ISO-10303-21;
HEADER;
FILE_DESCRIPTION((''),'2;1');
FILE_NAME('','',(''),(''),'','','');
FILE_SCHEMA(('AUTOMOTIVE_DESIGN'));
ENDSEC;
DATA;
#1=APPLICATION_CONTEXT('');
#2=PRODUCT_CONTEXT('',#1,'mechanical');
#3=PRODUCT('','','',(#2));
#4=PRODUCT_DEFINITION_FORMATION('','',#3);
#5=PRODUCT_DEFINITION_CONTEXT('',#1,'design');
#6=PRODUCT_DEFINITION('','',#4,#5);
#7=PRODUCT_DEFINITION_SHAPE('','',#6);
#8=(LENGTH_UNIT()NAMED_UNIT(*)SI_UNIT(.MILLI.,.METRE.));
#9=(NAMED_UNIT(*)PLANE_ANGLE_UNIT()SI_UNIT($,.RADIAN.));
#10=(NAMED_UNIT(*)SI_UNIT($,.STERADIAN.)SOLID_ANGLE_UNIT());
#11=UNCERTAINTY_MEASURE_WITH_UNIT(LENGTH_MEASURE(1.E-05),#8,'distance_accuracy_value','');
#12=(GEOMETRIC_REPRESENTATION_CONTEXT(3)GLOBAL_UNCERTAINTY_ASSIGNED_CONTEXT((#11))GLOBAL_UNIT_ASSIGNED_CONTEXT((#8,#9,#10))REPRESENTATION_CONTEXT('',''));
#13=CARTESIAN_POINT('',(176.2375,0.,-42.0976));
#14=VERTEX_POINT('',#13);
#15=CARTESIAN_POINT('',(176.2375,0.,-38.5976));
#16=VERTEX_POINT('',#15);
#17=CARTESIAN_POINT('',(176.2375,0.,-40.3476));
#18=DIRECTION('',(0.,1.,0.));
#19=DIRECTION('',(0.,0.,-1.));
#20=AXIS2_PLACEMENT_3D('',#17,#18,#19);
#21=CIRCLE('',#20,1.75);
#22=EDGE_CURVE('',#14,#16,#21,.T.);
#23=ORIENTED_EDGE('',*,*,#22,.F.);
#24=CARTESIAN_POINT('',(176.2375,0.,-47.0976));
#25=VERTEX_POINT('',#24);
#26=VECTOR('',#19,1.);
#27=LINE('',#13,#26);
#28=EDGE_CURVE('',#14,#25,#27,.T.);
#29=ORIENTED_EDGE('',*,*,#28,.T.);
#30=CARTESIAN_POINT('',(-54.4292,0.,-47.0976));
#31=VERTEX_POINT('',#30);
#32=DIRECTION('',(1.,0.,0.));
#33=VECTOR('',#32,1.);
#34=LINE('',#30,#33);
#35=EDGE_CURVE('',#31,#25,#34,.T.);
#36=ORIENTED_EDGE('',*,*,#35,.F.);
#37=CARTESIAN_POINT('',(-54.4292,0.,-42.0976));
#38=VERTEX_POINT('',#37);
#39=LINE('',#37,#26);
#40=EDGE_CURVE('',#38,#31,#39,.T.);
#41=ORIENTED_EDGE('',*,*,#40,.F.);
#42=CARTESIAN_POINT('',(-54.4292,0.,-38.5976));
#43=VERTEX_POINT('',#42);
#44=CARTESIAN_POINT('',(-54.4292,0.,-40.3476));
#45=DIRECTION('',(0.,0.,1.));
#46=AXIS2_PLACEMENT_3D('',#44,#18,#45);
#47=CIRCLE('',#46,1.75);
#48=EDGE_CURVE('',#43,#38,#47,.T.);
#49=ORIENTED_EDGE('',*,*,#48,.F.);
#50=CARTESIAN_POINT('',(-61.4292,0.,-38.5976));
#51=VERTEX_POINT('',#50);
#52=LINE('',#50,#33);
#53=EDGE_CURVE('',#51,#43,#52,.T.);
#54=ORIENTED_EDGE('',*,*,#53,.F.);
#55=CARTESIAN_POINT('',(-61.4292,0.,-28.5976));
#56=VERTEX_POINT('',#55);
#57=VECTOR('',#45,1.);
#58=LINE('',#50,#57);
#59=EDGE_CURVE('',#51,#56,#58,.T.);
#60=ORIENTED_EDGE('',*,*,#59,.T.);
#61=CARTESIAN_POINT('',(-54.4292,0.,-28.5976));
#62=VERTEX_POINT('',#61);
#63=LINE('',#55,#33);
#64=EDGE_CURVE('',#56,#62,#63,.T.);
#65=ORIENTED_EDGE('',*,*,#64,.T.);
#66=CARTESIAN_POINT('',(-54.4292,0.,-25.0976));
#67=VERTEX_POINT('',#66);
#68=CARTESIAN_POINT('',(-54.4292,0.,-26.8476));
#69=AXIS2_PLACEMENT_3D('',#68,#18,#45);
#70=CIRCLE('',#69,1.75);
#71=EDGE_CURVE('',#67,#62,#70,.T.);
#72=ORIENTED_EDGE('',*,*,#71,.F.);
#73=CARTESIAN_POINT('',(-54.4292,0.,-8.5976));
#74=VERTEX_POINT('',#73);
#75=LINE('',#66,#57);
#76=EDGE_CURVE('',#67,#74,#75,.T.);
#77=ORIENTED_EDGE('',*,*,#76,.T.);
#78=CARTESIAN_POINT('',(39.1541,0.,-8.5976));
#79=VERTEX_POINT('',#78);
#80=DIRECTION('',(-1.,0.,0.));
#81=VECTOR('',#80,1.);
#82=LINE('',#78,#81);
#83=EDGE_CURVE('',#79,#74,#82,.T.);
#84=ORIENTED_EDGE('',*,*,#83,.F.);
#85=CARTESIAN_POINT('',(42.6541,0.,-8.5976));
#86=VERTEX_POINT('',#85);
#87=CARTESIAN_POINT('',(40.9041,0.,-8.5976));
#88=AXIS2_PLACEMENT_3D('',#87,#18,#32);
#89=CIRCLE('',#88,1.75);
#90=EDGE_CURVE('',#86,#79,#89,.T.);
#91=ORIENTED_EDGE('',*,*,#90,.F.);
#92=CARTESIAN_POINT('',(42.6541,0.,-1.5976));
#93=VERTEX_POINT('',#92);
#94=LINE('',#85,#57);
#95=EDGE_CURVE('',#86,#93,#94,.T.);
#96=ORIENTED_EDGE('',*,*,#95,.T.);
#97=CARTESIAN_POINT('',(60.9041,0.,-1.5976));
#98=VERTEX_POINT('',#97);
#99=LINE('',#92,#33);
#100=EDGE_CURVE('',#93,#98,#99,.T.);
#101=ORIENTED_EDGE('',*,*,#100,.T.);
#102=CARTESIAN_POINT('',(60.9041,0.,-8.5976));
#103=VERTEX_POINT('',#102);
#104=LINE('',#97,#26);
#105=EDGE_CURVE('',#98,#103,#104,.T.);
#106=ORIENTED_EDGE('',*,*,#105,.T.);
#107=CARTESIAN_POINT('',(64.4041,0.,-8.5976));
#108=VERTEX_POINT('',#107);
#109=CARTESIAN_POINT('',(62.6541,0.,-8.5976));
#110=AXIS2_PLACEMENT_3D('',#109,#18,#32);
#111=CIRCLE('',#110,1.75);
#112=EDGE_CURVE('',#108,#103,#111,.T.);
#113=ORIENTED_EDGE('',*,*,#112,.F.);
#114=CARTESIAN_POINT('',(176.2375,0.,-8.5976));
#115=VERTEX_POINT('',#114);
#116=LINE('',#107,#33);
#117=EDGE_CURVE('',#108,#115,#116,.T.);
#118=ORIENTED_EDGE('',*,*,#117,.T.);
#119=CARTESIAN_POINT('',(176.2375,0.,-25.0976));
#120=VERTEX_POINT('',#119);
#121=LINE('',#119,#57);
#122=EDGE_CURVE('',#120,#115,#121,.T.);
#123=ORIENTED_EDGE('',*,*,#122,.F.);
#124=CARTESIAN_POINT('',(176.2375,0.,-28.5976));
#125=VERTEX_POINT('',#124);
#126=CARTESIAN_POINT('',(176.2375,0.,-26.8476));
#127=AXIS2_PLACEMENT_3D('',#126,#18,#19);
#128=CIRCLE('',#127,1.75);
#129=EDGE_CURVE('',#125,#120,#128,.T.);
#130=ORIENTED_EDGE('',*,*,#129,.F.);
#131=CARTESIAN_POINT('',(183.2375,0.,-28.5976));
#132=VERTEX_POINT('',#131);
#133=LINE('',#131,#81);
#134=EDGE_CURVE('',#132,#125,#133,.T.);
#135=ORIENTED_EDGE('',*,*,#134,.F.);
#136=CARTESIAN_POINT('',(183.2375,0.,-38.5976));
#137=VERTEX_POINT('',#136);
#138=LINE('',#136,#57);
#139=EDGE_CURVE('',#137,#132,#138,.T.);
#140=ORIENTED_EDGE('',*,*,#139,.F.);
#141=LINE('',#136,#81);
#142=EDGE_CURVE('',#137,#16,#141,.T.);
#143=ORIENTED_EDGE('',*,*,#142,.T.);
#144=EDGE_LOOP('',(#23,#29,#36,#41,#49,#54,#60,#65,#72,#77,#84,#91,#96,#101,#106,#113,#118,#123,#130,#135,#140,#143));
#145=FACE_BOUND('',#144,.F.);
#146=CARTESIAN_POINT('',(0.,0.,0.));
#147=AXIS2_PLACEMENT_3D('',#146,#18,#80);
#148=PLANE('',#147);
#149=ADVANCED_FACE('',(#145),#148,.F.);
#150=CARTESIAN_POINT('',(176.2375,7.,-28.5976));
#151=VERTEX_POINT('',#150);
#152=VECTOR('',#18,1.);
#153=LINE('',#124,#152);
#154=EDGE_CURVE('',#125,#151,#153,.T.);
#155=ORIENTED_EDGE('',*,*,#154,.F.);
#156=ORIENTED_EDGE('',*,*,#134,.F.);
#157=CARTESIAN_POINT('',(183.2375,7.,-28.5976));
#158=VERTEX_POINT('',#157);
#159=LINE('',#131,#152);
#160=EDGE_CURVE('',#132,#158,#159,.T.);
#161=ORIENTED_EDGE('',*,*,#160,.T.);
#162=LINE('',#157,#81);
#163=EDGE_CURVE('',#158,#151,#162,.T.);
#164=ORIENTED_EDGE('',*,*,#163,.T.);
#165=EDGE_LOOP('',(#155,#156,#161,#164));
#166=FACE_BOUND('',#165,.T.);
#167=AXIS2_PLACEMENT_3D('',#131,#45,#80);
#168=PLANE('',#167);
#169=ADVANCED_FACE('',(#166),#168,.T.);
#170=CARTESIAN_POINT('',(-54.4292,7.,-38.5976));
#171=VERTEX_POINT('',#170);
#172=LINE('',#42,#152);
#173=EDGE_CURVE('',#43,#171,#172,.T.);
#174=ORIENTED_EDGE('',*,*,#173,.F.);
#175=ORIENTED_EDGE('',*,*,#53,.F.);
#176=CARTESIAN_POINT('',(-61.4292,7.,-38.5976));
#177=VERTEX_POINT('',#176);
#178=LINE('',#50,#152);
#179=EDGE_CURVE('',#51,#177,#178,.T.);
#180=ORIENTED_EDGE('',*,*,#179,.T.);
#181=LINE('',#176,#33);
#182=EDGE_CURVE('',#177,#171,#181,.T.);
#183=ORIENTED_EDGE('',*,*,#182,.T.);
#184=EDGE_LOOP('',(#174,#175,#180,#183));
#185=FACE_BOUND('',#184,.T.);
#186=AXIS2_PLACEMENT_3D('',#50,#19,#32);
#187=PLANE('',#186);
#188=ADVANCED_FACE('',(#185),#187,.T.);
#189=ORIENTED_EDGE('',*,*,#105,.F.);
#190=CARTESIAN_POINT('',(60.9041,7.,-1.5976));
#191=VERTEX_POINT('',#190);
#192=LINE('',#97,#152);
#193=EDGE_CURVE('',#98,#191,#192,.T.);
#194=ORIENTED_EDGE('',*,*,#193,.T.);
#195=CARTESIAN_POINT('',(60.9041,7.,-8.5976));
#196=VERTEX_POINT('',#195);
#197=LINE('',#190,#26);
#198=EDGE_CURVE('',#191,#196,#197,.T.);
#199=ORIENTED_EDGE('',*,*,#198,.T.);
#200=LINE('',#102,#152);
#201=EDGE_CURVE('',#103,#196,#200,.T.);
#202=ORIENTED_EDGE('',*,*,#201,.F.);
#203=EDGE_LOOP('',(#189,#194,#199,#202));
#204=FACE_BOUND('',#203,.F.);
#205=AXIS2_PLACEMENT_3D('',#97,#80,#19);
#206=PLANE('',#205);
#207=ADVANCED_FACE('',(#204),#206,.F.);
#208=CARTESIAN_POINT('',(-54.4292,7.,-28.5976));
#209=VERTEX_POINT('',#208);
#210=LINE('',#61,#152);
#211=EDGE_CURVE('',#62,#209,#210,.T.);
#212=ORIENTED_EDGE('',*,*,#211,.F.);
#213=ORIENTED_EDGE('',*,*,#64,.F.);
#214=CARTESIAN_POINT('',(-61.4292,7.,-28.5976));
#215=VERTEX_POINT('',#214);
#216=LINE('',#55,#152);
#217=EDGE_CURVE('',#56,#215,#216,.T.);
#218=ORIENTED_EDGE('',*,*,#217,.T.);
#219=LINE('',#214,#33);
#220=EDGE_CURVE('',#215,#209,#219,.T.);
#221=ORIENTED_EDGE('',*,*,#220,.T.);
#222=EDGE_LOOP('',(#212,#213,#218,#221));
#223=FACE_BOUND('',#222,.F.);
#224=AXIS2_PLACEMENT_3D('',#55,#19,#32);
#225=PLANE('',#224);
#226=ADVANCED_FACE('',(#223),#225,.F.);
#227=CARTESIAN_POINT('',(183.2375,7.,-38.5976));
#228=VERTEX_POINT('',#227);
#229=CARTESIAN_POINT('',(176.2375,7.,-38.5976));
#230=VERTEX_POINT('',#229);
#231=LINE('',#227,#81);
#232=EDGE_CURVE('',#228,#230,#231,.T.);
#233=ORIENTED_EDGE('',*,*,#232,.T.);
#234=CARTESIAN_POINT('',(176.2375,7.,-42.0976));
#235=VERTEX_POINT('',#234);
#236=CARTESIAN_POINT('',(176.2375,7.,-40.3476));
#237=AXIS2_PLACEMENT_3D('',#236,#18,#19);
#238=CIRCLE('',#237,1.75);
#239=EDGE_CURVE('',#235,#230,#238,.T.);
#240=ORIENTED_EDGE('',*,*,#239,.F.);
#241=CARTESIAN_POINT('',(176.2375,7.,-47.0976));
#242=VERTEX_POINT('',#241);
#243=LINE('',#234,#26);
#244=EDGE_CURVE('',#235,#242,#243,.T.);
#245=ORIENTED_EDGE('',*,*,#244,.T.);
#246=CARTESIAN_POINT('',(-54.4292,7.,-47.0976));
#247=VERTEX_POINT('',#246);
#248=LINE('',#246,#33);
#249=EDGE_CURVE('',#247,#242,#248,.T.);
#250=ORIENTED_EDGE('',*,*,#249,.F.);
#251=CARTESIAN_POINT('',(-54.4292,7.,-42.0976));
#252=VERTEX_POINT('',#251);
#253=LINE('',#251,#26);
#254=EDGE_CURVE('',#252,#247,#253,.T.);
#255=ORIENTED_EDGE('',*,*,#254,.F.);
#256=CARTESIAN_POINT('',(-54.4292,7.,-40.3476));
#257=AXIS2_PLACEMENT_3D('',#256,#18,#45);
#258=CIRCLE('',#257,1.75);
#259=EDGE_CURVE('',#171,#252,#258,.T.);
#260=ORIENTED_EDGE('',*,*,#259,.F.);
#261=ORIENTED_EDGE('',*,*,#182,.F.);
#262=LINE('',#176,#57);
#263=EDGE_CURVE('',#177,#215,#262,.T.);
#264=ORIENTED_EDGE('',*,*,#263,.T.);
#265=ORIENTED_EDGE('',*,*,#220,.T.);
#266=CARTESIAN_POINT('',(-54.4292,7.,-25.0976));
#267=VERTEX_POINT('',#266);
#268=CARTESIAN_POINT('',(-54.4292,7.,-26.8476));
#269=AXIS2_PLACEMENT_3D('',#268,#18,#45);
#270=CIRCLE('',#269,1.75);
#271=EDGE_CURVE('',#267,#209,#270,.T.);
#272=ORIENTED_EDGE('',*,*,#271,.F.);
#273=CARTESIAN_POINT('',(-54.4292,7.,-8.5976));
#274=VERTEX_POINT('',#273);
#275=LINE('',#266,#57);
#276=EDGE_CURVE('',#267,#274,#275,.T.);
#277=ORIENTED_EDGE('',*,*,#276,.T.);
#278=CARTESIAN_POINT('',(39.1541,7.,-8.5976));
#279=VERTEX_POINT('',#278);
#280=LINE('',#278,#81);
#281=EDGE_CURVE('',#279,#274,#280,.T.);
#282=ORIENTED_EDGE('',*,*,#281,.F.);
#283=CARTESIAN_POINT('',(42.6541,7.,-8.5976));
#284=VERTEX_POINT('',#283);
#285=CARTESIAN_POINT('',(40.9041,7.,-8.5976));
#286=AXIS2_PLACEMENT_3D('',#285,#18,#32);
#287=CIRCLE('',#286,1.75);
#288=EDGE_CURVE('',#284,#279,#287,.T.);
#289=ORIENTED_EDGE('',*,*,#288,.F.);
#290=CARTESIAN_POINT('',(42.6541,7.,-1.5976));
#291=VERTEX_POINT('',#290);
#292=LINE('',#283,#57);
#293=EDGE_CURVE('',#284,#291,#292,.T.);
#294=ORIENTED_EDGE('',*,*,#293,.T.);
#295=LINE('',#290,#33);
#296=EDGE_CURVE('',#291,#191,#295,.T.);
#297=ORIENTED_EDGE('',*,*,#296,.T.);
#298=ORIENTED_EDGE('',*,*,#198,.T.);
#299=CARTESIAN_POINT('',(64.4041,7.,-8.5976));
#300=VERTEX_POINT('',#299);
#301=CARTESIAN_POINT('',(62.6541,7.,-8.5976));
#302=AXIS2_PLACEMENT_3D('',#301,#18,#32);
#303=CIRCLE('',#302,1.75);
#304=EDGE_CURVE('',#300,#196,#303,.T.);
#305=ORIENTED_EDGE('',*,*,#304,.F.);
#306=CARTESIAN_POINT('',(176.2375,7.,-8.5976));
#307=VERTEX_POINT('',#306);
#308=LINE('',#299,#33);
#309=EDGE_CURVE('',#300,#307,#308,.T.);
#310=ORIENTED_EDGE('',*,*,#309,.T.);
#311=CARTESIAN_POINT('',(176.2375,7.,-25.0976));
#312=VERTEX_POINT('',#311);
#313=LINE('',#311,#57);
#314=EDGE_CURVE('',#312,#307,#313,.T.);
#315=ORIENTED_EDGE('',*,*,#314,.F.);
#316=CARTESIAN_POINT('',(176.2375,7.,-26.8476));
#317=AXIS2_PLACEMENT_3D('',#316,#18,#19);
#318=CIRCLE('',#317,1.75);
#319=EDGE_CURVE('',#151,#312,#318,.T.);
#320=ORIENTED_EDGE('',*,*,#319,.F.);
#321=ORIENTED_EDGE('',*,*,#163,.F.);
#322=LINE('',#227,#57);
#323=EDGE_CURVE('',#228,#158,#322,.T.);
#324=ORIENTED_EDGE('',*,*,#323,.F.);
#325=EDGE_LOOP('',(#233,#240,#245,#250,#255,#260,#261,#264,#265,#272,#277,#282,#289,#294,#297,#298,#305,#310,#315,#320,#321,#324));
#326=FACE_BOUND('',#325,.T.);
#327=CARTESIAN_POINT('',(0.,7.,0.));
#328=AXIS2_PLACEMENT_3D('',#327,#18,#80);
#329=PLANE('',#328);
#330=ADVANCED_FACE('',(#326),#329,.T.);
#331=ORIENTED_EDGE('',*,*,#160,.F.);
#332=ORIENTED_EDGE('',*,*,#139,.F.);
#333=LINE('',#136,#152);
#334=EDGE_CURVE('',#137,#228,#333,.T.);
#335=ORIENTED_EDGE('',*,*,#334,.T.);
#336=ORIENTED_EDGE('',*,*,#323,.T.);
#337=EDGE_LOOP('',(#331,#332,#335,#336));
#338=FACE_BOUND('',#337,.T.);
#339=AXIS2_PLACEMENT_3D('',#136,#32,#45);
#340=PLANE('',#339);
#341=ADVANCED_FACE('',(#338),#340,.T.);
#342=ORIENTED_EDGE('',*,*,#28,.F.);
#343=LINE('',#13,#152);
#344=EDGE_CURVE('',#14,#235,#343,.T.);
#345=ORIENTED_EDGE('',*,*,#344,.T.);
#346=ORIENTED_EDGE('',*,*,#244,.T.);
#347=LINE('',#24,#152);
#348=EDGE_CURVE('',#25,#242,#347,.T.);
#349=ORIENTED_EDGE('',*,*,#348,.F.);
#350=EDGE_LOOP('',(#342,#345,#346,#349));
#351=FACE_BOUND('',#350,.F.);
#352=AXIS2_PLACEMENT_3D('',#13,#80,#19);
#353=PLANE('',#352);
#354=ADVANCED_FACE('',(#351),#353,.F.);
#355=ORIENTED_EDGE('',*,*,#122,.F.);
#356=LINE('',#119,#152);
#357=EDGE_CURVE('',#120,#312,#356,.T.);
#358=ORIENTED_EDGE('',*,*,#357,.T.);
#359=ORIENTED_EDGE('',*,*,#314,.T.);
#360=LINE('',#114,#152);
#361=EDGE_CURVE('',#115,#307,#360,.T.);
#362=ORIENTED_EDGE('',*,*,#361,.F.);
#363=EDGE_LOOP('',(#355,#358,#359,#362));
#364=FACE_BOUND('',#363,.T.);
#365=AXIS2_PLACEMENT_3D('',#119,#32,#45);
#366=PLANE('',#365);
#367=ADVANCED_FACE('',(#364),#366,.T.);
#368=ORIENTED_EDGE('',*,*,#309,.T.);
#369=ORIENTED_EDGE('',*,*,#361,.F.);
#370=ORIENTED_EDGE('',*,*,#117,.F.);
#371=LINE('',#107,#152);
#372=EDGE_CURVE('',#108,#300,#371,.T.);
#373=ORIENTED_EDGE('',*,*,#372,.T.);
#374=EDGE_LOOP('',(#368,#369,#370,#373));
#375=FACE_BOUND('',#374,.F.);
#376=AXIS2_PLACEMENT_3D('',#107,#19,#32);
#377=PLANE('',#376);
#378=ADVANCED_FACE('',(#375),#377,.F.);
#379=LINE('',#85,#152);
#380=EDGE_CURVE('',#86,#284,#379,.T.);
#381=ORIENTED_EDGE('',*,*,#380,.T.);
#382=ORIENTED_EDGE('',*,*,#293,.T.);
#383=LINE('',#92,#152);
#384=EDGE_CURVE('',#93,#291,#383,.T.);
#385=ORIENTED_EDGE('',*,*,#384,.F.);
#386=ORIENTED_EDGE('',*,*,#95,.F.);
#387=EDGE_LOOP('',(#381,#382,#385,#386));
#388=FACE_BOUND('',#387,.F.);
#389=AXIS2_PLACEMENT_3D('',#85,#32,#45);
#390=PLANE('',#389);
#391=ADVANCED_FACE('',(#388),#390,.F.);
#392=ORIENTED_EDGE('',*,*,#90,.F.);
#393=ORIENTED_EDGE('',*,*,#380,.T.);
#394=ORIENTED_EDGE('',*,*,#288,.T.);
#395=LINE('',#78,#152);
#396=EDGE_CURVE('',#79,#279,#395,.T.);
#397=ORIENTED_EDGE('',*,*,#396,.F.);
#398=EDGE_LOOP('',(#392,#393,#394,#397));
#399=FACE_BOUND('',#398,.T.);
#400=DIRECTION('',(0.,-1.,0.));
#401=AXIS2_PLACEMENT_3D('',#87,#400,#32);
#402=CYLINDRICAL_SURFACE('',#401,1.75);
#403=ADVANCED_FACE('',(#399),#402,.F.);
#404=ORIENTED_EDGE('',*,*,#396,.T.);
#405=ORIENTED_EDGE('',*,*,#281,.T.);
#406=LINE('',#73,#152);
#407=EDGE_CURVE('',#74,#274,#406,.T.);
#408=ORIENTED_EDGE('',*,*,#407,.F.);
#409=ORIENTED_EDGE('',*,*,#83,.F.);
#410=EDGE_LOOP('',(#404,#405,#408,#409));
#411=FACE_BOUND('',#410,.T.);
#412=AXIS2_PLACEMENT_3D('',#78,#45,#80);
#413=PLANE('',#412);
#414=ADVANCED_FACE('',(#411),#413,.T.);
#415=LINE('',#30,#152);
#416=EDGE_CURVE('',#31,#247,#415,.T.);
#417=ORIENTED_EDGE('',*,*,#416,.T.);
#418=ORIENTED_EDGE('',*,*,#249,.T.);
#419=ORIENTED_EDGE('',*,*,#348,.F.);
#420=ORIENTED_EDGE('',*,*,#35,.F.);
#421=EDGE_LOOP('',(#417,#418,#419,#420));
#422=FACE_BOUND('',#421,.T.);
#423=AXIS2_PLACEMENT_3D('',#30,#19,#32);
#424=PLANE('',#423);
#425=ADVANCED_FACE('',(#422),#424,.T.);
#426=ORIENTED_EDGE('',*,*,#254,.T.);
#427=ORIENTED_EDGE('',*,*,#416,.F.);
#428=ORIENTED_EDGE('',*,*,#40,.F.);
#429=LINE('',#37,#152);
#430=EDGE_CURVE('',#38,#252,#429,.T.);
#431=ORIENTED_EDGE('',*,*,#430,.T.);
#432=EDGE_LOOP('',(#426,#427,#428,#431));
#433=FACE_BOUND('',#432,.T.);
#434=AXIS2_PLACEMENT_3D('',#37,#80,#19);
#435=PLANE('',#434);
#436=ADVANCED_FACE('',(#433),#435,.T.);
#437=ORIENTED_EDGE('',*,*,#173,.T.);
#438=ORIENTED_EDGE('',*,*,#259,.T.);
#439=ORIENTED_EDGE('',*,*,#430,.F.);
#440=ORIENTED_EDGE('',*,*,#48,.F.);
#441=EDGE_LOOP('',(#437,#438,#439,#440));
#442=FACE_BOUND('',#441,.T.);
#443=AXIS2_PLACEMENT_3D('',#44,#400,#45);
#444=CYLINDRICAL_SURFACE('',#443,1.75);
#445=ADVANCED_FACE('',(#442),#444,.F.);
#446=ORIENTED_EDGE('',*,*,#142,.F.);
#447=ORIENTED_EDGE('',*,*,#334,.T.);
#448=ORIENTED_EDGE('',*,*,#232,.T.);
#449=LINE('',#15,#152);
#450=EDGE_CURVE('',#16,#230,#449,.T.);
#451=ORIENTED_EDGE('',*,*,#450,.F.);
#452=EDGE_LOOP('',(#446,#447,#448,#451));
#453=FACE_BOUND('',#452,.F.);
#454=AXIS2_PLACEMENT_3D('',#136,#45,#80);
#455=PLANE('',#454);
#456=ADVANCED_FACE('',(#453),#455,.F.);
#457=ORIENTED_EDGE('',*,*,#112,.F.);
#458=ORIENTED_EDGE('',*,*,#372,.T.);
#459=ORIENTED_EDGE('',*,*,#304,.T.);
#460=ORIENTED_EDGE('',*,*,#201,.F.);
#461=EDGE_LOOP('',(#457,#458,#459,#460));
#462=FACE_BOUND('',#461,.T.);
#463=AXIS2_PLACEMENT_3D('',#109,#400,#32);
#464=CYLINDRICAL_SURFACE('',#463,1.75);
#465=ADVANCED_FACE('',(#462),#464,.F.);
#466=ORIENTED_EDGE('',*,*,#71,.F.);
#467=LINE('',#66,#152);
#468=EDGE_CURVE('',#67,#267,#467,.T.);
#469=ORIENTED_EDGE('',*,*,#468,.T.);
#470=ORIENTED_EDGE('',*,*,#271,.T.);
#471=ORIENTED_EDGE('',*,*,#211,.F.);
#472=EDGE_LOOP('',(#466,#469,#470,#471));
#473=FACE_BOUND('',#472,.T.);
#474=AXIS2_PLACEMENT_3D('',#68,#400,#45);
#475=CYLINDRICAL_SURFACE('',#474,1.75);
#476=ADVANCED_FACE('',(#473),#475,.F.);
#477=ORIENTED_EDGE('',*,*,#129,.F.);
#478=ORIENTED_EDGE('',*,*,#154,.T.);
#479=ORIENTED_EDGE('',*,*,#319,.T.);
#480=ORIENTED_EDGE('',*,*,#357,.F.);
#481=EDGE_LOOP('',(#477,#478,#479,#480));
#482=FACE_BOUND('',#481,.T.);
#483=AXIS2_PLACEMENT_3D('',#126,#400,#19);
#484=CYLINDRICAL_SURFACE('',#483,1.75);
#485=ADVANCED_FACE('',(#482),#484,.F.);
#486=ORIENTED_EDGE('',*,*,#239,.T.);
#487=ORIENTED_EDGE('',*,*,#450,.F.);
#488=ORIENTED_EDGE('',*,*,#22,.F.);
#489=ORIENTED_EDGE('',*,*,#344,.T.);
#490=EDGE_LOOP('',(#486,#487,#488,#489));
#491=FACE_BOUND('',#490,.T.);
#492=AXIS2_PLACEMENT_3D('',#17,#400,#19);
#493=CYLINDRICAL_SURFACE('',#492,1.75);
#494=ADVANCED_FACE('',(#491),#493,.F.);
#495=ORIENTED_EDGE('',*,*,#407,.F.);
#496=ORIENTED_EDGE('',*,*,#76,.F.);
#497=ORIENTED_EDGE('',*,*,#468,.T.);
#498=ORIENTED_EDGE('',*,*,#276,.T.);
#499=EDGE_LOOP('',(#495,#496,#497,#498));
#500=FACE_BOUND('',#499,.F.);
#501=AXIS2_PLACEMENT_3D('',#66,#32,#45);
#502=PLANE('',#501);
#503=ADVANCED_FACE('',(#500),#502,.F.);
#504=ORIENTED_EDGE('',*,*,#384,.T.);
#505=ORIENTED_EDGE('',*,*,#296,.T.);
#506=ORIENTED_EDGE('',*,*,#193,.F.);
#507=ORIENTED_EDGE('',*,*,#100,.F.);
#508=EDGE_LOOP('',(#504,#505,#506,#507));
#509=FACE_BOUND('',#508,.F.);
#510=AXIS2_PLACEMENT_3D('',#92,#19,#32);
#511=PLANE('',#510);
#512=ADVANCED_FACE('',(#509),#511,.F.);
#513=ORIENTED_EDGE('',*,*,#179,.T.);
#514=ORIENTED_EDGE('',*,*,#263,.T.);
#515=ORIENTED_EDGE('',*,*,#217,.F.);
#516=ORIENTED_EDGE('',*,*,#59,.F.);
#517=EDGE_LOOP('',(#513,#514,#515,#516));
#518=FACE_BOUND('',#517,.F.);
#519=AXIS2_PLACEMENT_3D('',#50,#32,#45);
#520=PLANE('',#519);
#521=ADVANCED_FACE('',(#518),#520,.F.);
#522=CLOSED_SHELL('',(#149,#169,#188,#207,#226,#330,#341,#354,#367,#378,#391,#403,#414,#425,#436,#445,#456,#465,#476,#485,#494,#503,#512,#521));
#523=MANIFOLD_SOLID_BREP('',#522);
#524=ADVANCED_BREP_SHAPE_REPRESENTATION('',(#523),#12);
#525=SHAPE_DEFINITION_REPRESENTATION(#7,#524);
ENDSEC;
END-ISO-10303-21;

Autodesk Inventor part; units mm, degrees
ref_plane "YZ Plane" through (0, 0, 0) normal (1, 0, 0) x (0, 1, 0)
ref_plane "XZ Plane" through (0, 0, 0) normal (0, 1, 0) x (-1, 0, 0)
ref_plane "XY Plane" through (0, 0, 0) normal (0, 0, 1) x (1, 0, 0)
sketch "Sketch1" plane through (0, 0, 0) normal (0, 1, 0) x (-1, 0, 0)
  arc A0 (54.4292, -38.5976) -> (54.4292, -42.0976) centre (54.4292, -40.3476) ccw
  arc A1 (54.4292, -25.0976) -> (54.4292, -28.5976) centre (54.4292, -26.8476) ccw
  line L0 (61.4292, -38.5976) -> (61.4292, -28.5976)
  line L1 (-42.6541, -8.5976) -> (-42.6541, -1.5976)
  line L2 (61.4292, -28.5976) -> (54.4292, -28.5976)
  line L3 (61.4292, -38.5976) -> (54.4292, -38.5976)
  line L4 (54.4292, -25.0976) -> (54.4292, -8.5976)
  line L5 (54.4292, -42.0976) -> (54.4292, -47.0976)
  line L6 (-60.9041, -44.0976) -> (-60.9041, -33.5976)
  arc A2 (-176.2375, -42.0976) -> (-176.2375, -38.5976) centre (-176.2375, -40.3476) ccw
  arc A3 (-176.2375, -28.5976) -> (-176.2375, -25.0976) centre (-176.2375, -26.8476) ccw
  line L7 (-183.2375, -38.5976) -> (-183.2375, -28.5976)
  line L8 (-183.2375, -28.5976) -> (-176.2375, -28.5976)
  line L9 (-183.2375, -38.5976) -> (-176.2375, -38.5976)
  line L10 (-176.2375, -25.0976) -> (-176.2375, -8.5976)
  line L11 (-176.2375, -42.0976) -> (-176.2375, -47.0976)
  line L12 (54.4292, -47.0976) -> (-176.2375, -47.0976)
  arc A4 (-42.6541, -8.5976) -> (-39.1541, -8.5976) centre (-40.9041, -8.5976) ccw
  line L13 (-39.1541, -8.5976) -> (54.4292, -8.5976)
  line L14 (-60.9041, -1.5976) -> (-60.9041, -8.5976)
  arc A5 (-64.4041, -8.5976) -> (-60.9041, -8.5976) centre (-62.6541, -8.5976) ccw
  line L15 (-64.4041, -8.5976) -> (-176.2375, -8.5976)
  line L16 (-42.6541, -1.5976) -> (-60.9041, -1.5976)
  point P0 (0, 0)
  dimension "d2" = 3.5
  dimension "d5" = 3.5
  dimension "d9" = 7
  dimension "d11" = 10
  dimension "d32" = 5
  dimension "d33" = 230.6667
  dimension "d36" = 7
  dimension "d42" = 3.5
  dimension "d43" = 97.0833
  dimension "d44" = 3.5
  dimension "d45" = 18.25
  dimension "d46" = 20
extrude "Extrusion1" add sketch "Sketch1" along normal blind 7
properties part number "Level 1 Support Mid" material "Wood (Maple)"
